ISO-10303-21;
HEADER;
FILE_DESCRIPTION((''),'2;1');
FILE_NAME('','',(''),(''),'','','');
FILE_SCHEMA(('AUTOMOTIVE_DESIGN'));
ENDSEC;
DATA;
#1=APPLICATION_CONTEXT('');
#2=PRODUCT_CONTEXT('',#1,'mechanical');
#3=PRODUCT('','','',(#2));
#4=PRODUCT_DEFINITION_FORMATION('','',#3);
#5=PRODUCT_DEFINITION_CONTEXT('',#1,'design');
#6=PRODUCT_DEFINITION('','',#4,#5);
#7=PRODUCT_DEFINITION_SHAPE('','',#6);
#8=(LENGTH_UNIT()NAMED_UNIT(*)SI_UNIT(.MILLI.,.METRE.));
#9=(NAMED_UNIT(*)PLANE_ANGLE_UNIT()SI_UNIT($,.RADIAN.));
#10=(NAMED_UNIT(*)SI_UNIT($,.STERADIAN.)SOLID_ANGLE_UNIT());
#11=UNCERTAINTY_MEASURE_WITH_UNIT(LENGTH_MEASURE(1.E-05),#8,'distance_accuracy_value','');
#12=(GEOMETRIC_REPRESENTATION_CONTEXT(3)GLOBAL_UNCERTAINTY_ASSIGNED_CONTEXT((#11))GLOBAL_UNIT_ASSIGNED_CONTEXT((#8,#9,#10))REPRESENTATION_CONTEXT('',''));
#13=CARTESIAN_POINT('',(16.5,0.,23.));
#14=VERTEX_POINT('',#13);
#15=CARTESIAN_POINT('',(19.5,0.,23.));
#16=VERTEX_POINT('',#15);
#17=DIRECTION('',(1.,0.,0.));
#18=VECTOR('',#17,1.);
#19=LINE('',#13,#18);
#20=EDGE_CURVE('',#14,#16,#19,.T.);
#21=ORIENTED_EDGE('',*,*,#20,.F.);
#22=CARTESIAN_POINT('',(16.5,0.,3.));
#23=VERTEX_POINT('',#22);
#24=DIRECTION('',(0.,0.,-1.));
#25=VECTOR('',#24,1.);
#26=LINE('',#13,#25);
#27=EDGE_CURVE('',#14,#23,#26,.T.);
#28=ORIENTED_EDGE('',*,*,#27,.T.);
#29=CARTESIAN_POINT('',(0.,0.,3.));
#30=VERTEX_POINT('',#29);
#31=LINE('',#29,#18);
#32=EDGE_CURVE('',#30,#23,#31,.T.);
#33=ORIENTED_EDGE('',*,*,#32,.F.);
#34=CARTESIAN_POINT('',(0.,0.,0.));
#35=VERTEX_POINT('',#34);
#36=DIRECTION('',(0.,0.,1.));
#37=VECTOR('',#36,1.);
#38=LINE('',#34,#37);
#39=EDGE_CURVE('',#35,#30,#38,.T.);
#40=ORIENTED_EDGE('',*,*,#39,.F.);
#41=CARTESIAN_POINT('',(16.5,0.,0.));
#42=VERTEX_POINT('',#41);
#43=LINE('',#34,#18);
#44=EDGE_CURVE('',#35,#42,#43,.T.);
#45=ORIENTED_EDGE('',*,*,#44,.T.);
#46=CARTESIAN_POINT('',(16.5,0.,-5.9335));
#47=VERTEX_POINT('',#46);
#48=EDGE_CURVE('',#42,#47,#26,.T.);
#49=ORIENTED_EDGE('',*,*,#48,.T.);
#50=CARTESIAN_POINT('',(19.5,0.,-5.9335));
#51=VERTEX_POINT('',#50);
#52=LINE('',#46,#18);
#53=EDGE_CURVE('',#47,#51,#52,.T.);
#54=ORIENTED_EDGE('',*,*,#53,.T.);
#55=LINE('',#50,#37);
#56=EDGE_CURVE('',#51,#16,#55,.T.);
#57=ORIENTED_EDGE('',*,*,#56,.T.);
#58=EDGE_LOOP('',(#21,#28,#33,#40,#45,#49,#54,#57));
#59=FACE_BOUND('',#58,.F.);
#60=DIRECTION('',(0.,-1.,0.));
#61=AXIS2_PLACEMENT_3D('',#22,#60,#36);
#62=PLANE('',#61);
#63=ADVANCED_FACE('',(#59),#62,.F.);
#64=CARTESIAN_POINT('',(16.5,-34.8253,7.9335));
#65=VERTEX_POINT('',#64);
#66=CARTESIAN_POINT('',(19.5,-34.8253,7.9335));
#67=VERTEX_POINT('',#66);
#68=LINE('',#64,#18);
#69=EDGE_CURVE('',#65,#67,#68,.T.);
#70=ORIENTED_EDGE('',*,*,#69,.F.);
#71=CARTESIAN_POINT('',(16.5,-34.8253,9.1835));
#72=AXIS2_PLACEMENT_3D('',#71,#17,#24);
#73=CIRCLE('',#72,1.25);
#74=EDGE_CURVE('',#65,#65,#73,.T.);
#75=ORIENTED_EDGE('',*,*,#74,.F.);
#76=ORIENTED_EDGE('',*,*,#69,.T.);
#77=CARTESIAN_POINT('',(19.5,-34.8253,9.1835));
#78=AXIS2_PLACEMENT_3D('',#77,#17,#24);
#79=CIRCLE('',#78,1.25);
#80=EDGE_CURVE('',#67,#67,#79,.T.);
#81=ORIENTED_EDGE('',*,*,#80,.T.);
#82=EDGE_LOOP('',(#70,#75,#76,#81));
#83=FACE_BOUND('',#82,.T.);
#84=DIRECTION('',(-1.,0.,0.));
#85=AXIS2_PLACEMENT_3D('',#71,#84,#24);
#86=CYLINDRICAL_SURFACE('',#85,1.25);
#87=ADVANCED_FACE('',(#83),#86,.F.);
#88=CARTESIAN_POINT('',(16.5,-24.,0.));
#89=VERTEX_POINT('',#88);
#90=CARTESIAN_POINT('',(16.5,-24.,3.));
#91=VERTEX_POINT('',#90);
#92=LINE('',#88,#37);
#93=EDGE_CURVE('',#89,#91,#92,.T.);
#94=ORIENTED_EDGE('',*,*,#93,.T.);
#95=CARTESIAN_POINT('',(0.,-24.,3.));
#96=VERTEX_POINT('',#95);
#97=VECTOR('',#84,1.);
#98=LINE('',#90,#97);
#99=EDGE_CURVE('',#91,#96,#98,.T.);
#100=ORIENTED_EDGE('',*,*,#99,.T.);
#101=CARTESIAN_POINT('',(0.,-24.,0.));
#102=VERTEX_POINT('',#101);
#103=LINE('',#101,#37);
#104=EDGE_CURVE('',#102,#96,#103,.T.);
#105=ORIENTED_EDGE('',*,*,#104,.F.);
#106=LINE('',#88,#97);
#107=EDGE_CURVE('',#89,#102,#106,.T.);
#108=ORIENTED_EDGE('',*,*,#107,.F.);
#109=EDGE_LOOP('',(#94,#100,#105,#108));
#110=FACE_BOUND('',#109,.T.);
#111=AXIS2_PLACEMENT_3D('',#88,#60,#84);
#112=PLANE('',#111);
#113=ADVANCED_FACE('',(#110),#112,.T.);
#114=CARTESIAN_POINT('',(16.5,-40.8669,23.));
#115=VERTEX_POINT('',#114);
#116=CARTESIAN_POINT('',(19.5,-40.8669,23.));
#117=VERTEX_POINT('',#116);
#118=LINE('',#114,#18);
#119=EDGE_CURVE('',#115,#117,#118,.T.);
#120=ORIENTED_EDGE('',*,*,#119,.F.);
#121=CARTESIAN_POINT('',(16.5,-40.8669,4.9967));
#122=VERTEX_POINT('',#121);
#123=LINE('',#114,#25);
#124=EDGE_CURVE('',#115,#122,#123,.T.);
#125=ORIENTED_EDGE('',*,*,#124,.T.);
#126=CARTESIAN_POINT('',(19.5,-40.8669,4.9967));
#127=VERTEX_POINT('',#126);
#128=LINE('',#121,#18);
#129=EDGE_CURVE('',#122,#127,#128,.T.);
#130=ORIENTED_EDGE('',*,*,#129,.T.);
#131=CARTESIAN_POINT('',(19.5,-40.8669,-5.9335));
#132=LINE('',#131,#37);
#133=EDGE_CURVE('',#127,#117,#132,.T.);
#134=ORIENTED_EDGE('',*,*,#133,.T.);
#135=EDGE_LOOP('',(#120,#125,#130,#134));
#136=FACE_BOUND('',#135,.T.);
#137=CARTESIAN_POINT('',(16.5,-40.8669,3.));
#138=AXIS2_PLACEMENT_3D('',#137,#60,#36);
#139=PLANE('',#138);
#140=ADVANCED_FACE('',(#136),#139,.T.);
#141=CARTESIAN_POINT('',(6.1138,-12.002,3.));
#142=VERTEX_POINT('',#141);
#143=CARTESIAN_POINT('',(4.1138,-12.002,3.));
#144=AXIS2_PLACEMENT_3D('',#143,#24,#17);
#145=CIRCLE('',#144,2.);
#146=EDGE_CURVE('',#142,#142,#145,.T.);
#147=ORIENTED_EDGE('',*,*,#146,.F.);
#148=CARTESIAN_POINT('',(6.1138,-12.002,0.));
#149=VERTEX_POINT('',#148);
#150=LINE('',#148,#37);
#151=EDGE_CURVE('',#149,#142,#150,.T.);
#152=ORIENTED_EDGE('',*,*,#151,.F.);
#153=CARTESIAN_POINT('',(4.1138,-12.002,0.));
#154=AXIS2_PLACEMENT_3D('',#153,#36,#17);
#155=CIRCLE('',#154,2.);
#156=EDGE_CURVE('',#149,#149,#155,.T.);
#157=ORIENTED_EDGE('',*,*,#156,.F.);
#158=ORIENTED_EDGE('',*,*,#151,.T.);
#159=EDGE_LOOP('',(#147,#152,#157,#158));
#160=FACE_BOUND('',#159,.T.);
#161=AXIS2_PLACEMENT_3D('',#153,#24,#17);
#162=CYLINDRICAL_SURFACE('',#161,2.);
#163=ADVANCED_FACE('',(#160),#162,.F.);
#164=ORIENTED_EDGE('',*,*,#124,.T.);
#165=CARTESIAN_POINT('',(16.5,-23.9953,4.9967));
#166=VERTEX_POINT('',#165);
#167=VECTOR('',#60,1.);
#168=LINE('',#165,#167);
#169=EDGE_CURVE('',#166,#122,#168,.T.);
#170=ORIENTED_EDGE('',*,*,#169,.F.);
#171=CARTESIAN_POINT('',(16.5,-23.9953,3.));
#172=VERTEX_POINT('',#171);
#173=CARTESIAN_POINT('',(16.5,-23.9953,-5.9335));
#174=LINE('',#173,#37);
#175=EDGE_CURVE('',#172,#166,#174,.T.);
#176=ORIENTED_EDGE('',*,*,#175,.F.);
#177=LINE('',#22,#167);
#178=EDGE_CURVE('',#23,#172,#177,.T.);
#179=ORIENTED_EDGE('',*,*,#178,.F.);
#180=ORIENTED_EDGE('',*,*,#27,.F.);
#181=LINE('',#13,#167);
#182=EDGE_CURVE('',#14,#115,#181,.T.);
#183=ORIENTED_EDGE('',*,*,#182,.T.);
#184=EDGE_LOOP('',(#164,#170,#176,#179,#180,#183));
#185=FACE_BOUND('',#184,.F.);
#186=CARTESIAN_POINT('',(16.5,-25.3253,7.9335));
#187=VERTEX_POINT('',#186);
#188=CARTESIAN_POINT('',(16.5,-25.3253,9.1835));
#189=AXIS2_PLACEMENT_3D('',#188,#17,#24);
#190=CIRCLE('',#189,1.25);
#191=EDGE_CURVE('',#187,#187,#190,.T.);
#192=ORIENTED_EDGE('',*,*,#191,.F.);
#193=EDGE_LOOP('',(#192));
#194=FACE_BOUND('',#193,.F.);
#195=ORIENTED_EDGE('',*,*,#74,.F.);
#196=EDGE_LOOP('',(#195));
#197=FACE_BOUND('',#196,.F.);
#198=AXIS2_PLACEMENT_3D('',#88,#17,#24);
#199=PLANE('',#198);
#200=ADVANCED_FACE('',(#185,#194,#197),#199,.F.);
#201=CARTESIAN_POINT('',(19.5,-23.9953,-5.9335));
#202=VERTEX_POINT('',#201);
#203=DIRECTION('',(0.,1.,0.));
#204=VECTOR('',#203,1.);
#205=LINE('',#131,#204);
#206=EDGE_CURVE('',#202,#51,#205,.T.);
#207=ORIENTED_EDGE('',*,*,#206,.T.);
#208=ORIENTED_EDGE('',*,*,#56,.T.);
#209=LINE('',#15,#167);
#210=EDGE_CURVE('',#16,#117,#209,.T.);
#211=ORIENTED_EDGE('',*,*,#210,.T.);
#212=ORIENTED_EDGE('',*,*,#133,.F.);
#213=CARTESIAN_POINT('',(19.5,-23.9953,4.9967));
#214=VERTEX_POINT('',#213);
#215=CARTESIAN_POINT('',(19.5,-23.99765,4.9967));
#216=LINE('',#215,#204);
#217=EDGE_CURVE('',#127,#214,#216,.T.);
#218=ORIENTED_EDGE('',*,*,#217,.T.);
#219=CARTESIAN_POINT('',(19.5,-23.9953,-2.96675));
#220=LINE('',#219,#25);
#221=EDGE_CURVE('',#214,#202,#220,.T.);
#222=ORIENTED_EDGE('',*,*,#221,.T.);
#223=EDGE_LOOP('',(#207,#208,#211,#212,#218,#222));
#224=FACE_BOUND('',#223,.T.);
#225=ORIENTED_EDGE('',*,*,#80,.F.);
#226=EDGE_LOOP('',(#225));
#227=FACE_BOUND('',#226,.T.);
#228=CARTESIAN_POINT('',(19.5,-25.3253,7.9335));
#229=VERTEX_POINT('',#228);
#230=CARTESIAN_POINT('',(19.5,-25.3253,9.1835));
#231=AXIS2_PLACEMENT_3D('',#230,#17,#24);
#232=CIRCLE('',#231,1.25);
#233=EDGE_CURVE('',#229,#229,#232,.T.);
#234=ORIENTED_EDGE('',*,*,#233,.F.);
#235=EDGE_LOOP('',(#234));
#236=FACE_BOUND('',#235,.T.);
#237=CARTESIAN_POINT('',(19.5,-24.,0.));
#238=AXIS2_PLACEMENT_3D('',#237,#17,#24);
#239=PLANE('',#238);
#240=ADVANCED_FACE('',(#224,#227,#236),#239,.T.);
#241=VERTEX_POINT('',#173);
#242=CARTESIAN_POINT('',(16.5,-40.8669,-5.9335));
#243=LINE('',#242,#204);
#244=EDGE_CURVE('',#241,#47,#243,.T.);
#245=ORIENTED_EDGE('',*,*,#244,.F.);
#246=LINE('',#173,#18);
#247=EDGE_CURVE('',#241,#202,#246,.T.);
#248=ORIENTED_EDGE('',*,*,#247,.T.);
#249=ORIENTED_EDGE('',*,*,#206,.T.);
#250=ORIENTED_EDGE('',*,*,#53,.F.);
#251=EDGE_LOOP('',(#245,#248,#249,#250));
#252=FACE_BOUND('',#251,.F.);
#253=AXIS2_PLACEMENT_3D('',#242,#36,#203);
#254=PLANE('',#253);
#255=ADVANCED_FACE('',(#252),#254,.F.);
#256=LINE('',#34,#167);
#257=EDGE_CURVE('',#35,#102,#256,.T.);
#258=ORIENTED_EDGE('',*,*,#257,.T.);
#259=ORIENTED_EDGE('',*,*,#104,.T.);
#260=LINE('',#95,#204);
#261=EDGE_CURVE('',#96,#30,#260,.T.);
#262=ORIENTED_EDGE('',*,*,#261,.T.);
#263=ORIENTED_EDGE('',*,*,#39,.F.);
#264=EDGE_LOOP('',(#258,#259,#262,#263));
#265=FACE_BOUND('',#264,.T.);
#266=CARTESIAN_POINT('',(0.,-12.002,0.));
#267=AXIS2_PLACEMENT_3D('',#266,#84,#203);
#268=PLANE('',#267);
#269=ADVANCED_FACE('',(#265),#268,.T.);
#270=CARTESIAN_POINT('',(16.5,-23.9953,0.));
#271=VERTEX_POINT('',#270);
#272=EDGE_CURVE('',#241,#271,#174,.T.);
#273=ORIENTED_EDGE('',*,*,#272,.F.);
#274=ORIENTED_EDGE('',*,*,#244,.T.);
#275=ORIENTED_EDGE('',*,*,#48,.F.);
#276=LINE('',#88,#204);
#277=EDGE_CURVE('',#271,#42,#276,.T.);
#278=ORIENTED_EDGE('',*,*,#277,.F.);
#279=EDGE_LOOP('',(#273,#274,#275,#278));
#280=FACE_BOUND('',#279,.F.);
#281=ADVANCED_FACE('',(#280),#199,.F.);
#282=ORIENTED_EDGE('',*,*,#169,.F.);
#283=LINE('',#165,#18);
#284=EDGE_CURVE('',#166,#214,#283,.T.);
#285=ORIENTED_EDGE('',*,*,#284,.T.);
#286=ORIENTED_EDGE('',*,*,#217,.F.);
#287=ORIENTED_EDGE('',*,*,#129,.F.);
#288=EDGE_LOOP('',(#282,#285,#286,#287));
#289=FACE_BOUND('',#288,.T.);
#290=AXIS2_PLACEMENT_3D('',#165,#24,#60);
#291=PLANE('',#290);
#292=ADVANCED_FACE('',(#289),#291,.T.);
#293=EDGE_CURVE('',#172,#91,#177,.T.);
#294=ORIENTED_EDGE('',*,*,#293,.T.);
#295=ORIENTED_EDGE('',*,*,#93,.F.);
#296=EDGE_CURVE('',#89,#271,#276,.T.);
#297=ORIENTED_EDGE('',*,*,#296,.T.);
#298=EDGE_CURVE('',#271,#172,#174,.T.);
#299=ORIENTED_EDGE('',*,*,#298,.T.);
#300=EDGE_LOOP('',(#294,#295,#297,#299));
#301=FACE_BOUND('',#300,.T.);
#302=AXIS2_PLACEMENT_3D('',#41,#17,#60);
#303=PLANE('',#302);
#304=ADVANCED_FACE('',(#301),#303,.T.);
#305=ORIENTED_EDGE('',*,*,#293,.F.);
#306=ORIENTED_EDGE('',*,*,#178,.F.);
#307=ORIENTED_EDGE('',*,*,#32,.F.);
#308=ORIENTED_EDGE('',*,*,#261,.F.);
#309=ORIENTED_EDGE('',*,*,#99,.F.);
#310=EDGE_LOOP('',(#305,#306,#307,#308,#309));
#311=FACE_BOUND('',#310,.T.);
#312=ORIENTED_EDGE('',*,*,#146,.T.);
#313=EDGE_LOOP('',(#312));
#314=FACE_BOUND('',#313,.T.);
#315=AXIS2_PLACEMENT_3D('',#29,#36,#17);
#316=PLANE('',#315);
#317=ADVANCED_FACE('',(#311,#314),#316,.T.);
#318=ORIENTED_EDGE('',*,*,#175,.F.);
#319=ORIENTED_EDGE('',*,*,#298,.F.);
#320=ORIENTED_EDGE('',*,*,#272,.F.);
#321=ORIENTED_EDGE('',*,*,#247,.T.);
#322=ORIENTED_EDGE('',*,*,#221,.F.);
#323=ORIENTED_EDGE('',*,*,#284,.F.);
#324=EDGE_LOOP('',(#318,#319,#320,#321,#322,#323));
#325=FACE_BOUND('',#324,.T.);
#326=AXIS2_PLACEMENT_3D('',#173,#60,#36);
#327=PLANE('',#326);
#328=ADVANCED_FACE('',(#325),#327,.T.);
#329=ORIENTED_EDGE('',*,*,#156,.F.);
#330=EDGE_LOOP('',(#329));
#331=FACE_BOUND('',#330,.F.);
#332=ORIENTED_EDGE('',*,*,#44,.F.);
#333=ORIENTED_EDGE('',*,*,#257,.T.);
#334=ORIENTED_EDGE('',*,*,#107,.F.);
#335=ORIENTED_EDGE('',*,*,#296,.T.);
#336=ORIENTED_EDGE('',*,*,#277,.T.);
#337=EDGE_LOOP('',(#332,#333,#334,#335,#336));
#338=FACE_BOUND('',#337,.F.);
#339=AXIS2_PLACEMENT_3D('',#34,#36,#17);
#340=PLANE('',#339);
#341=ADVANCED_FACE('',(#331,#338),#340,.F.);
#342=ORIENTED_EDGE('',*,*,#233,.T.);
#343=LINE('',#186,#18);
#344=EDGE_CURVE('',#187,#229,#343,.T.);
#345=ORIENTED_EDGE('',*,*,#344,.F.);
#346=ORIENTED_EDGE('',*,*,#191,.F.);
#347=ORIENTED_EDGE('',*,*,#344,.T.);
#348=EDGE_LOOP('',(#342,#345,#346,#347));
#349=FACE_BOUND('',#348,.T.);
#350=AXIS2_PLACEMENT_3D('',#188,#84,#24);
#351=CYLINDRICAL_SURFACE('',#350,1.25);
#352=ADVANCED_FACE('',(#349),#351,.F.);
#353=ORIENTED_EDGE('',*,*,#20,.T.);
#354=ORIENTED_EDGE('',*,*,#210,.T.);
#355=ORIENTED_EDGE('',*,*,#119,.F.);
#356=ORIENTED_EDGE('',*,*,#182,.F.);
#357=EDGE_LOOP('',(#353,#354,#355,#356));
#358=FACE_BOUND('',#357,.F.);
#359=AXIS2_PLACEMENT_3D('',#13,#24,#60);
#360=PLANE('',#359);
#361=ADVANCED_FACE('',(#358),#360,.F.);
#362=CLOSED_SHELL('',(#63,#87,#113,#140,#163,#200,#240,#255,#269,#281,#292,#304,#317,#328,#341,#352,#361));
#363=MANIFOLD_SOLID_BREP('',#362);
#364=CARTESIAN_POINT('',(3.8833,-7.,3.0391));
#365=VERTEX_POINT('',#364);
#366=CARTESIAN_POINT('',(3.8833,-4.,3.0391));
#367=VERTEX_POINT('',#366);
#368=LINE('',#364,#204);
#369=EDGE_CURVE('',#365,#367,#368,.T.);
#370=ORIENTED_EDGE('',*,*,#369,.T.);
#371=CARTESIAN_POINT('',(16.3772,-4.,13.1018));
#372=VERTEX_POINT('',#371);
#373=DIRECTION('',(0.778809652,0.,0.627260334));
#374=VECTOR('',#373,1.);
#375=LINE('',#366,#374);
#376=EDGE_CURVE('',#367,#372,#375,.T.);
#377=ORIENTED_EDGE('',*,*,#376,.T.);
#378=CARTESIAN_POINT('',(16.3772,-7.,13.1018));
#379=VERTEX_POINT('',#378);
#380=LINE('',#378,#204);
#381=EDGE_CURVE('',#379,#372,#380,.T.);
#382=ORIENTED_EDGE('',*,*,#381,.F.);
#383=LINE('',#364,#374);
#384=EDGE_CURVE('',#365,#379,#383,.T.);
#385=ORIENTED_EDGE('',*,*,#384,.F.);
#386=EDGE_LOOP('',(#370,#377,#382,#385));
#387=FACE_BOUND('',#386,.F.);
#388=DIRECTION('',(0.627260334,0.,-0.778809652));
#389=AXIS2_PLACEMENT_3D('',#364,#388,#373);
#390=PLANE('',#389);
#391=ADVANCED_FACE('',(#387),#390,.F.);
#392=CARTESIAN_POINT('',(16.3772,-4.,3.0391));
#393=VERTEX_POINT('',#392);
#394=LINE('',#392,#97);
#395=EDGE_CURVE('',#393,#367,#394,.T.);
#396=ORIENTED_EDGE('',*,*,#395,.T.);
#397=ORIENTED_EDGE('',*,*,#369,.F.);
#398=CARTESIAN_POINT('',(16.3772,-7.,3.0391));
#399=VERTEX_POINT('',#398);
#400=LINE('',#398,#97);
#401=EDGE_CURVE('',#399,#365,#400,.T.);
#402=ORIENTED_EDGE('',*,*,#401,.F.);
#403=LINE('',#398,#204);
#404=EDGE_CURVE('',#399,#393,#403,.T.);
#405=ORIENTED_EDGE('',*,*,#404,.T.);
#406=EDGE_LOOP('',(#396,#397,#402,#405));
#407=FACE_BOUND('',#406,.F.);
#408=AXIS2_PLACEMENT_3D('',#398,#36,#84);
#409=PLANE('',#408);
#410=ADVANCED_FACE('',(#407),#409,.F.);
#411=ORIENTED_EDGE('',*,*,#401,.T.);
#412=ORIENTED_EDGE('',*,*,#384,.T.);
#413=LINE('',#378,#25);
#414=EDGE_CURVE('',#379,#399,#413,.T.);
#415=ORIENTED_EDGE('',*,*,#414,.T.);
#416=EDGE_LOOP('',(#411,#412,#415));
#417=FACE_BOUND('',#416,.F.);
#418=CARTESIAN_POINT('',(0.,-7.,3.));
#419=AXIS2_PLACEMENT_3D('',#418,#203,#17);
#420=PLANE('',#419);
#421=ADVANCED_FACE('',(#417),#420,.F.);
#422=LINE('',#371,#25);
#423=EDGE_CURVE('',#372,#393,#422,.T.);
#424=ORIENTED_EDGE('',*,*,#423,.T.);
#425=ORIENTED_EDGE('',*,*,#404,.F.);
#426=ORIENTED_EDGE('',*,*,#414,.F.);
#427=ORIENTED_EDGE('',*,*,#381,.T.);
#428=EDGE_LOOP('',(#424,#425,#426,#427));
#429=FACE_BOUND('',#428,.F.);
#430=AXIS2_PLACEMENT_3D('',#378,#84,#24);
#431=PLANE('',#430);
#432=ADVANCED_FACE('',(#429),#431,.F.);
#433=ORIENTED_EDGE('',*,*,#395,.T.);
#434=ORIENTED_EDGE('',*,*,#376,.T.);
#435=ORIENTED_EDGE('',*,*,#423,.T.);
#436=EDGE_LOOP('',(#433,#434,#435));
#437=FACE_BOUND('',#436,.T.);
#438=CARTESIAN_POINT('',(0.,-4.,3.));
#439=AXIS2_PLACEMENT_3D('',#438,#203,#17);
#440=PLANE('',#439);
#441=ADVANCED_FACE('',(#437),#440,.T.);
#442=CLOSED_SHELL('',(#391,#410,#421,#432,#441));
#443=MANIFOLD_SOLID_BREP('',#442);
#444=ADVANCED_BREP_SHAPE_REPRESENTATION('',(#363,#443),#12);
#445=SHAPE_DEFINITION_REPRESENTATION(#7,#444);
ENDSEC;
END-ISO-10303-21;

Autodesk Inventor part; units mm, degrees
sketch "Sketch1" plane through (0, 0, 0) normal (0, 0, 1) x (1, 0, 0)
  line L0 (0, 0) -> (16.5, 0)
  line L1 (16.5, 0) -> (16.5, -24)
  line L2 (16.5, -24) -> (0, -24)
  line L3 (0, -24) -> (0, 0)
  line L4 (24.2611, -12.002) -> (-7.0214, -12.002)
  circle A0 centre (4.1138, -12.002) radius 2
  dimension "d0" = 16.5
  dimension "d1" = 24
  dimension "d7" = 4
ref_plane "Work Plane2" through (16.5, -24, 0) normal (1, 0, 0) x (0, 0, -1)
sketch "Sketch2" plane through (16.5, -24, 0) normal (1, 0, 0) x (0, 0, -1)
  line L0 (-3, -16.8669) -> (-3, 24)
  line L1 (-3, -16.8669) -> (-23, -16.8669)
  line L2 (-23, -16.8669) -> (5.9335, -16.8669)
  line L3 (5.9335, -16.8669) -> (5.9335, 24)
  line L4 (5.9335, 24) -> (-23, 24)
  line L5 (-23, 24) -> (-23, -16.8669)
  circle A0 centre (-9.1835, -1.3253) radius 1.25
  line L6 (-9.1835, -1.3253) -> (-9.1835, -10.8253) construction
  circle A1 centre (-9.1835, -10.8253) radius 1.25
  dimension "d11" = 20
  dimension "d12" = 2.5
  dimension "d13" = 9.5
  dimension "d14" = 2.5
extrude "Extrusion2" add sketch "Sketch2" along normal blind 3
ref_plane "Work Plane3" through (16.5, -24, 0) normal (-1, 0, 0) x (0, 0, 1)
sketch "Sketch3" plane through (16.5, -24, 0) normal (-1, 0, 0) x (0, 0, 1)
  line L0 (-5.9335, -16.8669) -> (-5.9335, 24) projected
  line L1 (-5.9335, 0.0047) -> (4.9967, 0.0047)
  line L2 (4.9967, 0.0047) -> (4.9967, -16.8669)
  line L3 (4.9967, -16.8669) -> (-5.9335, -16.8669)
  line L4 (-5.9335, -16.8669) -> (-5.9335, 0.0047)
extrude "Extrusion3" cut sketch "Sketch3" against normal through all
ref_plane "Work Plane1" through (0, -7, 3) normal (0, 1, 0) x (1, 0, 0)
sketch "Sketch4" plane through (16.5, -24, 0) normal (-1, 0, 0) x (0, 0, 1)
  line L0 (4.9967, 0.0047) -> (4.9967, -16.8669) projected
  line L1 (23, -16.8669) -> (4.9967, -16.8669) projected
  line L2 (23, 24) -> (23, -16.8669) projected
  line L3 (3, 24) -> (23, 24) projected
  line L4 (3, 0.0047) -> (3, 24) projected
  line L5 (3, 0.0047) -> (4.9967, 0.0047) projected
  line L6 (4.9967, 0.0047) -> (4.9967, -16.8669) projected
  line L7 (23, -16.8669) -> (4.9967, -16.8669) projected
  line L8 (23, 24) -> (23, -16.8669) projected
  line L9 (-5.9335, 24) -> (23, 24) projected
  line L10 (-5.9335, 0.0047) -> (-5.9335, 24) projected
  line L11 (-5.9335, 0.0047) -> (4.9967, 0.0047) projected
  point P0 (0, 24)
extrude "Extrusion4" add sketch "Sketch1" along normal blind 3 contours L0 L1 L4 A0 L3 | L4 A0 L1 L2 L3
sketch "Sketch5" plane through (0, -7, 3) normal (0, 1, 0) x (1, 0, 0)
  line L0 (3.8833, -0.0391) -> (16.3772, -10.1018)
  line L1 (16.3772, -10.1018) -> (16.3772, -0.0391)
  line L2 (16.3772, -0.0391) -> (3.8833, -0.0391)
  point P0 (0, 3)
extrude "Extrusion5" add sketch "Sketch5" along normal blind 3
properties part number "bart y end stop bracket plain switch v1"
